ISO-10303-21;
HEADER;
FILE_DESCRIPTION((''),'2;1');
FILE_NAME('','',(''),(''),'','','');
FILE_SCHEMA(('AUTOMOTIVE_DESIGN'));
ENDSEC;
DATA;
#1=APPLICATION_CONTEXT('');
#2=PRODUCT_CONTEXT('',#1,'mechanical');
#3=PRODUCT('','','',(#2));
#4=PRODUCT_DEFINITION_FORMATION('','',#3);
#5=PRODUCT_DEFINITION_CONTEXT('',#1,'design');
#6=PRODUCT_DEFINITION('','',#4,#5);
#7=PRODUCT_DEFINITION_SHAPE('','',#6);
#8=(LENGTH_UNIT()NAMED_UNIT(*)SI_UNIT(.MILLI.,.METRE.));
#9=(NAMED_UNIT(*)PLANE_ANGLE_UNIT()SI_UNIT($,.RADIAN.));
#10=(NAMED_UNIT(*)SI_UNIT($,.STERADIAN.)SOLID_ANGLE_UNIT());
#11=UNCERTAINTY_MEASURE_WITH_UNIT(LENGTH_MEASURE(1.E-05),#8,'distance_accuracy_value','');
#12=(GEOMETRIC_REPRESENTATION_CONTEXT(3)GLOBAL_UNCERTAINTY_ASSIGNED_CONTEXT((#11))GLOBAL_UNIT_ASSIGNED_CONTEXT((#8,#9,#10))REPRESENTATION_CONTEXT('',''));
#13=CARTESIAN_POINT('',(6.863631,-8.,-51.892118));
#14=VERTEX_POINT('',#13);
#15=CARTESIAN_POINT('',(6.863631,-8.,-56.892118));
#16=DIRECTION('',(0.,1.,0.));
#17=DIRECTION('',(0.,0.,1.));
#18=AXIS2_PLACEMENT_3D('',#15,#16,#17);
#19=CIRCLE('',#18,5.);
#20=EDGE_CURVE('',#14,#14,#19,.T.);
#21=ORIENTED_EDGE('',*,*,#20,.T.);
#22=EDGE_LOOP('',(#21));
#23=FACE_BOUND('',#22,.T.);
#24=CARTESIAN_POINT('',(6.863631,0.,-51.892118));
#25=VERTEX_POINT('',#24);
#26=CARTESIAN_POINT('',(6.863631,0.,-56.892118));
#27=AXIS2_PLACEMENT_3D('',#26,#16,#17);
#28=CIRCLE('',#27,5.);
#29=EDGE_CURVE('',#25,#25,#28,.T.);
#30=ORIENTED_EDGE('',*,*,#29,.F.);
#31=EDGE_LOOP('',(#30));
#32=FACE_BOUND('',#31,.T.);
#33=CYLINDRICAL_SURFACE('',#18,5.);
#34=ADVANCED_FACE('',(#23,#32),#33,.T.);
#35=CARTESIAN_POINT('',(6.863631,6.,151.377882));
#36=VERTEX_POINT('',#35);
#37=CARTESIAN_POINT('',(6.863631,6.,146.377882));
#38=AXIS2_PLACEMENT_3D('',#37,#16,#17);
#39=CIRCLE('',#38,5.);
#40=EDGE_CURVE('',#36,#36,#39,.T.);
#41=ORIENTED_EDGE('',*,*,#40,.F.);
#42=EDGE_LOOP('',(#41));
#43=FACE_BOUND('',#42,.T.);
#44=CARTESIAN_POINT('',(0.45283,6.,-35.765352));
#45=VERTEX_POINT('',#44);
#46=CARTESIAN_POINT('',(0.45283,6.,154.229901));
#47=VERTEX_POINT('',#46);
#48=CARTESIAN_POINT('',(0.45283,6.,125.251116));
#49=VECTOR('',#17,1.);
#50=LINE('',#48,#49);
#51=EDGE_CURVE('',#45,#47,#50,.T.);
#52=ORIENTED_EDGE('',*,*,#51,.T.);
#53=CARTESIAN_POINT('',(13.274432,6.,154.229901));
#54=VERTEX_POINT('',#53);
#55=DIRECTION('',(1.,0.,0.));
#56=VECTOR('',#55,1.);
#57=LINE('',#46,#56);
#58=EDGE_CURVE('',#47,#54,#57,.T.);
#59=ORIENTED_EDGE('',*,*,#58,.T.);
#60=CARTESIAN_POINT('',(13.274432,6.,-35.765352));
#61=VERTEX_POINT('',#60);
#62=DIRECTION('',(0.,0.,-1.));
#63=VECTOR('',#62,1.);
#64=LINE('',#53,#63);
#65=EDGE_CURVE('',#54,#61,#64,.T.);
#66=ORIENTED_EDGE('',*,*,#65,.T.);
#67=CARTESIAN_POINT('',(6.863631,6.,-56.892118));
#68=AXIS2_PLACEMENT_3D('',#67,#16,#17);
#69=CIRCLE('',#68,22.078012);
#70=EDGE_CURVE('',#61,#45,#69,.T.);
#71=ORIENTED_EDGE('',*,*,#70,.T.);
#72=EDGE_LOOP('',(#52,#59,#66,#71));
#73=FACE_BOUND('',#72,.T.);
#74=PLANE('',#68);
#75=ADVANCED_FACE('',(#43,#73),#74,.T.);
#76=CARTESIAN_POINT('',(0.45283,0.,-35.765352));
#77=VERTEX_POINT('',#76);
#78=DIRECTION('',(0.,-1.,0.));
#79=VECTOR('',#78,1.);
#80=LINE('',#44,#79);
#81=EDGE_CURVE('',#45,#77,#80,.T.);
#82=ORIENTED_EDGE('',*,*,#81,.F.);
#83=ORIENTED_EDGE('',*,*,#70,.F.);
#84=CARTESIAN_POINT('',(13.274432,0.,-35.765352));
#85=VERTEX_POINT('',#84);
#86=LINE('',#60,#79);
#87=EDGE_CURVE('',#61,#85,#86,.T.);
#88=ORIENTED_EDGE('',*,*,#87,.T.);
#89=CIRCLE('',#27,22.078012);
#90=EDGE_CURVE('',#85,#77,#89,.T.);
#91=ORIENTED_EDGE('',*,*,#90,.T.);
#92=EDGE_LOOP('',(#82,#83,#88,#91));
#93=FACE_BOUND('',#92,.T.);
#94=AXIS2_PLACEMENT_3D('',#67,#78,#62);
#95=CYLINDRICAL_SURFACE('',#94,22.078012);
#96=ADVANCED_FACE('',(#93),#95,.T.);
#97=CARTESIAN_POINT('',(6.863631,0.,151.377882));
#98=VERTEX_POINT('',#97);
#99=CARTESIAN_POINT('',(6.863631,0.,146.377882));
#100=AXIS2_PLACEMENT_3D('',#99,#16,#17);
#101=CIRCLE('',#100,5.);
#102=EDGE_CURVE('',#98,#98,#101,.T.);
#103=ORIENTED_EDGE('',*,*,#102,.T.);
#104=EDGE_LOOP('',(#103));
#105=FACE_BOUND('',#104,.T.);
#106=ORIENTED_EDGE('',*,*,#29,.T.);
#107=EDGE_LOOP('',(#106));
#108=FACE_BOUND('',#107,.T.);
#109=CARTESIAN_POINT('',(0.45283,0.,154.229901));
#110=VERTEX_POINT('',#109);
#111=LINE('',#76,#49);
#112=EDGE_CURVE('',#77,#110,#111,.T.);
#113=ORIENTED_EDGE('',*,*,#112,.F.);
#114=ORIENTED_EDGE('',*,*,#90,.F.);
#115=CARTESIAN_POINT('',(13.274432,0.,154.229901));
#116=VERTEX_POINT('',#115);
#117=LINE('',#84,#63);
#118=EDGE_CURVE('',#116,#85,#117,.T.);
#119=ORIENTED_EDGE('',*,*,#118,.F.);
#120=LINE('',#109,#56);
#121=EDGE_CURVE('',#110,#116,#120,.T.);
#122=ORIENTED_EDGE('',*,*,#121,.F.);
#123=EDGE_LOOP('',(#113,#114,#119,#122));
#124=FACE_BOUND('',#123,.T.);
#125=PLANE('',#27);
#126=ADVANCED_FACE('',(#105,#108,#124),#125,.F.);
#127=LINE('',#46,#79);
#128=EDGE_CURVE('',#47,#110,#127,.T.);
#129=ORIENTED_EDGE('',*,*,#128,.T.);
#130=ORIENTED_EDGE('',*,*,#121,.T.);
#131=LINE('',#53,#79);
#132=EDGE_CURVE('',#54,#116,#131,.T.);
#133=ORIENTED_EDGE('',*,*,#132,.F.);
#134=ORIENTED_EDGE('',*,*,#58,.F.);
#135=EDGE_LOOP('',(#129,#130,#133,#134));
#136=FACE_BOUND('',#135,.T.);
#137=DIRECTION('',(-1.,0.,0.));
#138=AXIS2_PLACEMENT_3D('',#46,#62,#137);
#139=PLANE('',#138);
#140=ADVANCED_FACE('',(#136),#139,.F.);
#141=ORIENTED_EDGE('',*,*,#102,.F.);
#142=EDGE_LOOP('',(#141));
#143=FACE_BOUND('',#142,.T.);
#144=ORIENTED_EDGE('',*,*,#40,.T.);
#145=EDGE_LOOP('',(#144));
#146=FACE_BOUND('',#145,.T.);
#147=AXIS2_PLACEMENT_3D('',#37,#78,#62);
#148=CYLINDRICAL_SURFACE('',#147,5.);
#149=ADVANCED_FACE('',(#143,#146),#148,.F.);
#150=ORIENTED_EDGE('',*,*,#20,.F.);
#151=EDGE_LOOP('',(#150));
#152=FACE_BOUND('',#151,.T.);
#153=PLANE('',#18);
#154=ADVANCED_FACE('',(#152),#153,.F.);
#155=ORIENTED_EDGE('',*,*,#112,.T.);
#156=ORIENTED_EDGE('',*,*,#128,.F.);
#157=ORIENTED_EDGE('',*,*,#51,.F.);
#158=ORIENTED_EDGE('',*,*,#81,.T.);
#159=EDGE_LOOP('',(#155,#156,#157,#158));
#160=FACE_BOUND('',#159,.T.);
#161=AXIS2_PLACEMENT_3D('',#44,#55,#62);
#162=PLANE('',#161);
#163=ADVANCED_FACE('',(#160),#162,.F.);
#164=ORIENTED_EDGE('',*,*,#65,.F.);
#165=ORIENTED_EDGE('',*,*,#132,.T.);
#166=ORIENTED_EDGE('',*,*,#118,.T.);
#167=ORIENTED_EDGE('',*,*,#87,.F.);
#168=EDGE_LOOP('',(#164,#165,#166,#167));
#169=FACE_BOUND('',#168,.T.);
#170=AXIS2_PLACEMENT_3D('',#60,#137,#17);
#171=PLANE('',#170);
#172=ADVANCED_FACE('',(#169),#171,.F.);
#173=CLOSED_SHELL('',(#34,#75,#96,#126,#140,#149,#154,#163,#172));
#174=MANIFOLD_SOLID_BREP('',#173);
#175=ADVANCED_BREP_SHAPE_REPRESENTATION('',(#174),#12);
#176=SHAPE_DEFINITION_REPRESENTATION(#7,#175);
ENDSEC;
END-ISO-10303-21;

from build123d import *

# Parameters (mm, degrees)
SKETCH2_R           = 5
BOSS_EXTRUDE1_DEPTH = 6
BOSS_EXTRUDE2_START = -14
SKETCH3_R           = 5
BOSS_EXTRUDE2_DEPTH = 14


with BuildPart() as part:
    # Sketch2 → Boss-Extrude1 (new body)
    with BuildSketch(Plane(origin=(0, 0, 0), x_dir=(1, 0, 0), z_dir=(0, 1, 0))):
        with BuildLine():
            Line((13.274432238, 35.765352266), (13.274432238, -125.251116332))
            Line((13.274432238, -125.251116332), (13.274432238, -154.229901261))
            Line((13.274432238, -154.229901261), (0.452829748, -154.229901261))
            Line((0.452829748, -154.229901261), (0.452829748, -125.251116332))
            Line((0.452829748, -125.251116332), (0.452829748, 35.765352266))
            ThreePointArc((0.452829748, 35.765352266), (6.863630993, 78.970129688), (13.274432238, 35.765352266))
        make_face()
        with Locations(Location((6.863630993, 56.892117967, 0), (0, 0, 90))):
            Circle(SKETCH2_R, mode=Mode.SUBTRACT)
        with Locations(Location((6.863630993, -146.377882033, 0), (0, 0, 270))):
            Circle(SKETCH2_R, mode=Mode.SUBTRACT)
    extrude(amount=BOSS_EXTRUDE1_DEPTH)

    # Sketch3 → Boss-Extrude2 (add)
    with BuildSketch(Plane(origin=(0, 6, 0), x_dir=(1, 0, 0), z_dir=(0, 1, 0)).offset(BOSS_EXTRUDE2_START)):
        with Locations(Location((6.863630993, 56.892117967, 0), (0, 0, 270))):
            Circle(SKETCH3_R)
    extrude(amount=BOSS_EXTRUDE2_DEPTH)


solid = part.part
